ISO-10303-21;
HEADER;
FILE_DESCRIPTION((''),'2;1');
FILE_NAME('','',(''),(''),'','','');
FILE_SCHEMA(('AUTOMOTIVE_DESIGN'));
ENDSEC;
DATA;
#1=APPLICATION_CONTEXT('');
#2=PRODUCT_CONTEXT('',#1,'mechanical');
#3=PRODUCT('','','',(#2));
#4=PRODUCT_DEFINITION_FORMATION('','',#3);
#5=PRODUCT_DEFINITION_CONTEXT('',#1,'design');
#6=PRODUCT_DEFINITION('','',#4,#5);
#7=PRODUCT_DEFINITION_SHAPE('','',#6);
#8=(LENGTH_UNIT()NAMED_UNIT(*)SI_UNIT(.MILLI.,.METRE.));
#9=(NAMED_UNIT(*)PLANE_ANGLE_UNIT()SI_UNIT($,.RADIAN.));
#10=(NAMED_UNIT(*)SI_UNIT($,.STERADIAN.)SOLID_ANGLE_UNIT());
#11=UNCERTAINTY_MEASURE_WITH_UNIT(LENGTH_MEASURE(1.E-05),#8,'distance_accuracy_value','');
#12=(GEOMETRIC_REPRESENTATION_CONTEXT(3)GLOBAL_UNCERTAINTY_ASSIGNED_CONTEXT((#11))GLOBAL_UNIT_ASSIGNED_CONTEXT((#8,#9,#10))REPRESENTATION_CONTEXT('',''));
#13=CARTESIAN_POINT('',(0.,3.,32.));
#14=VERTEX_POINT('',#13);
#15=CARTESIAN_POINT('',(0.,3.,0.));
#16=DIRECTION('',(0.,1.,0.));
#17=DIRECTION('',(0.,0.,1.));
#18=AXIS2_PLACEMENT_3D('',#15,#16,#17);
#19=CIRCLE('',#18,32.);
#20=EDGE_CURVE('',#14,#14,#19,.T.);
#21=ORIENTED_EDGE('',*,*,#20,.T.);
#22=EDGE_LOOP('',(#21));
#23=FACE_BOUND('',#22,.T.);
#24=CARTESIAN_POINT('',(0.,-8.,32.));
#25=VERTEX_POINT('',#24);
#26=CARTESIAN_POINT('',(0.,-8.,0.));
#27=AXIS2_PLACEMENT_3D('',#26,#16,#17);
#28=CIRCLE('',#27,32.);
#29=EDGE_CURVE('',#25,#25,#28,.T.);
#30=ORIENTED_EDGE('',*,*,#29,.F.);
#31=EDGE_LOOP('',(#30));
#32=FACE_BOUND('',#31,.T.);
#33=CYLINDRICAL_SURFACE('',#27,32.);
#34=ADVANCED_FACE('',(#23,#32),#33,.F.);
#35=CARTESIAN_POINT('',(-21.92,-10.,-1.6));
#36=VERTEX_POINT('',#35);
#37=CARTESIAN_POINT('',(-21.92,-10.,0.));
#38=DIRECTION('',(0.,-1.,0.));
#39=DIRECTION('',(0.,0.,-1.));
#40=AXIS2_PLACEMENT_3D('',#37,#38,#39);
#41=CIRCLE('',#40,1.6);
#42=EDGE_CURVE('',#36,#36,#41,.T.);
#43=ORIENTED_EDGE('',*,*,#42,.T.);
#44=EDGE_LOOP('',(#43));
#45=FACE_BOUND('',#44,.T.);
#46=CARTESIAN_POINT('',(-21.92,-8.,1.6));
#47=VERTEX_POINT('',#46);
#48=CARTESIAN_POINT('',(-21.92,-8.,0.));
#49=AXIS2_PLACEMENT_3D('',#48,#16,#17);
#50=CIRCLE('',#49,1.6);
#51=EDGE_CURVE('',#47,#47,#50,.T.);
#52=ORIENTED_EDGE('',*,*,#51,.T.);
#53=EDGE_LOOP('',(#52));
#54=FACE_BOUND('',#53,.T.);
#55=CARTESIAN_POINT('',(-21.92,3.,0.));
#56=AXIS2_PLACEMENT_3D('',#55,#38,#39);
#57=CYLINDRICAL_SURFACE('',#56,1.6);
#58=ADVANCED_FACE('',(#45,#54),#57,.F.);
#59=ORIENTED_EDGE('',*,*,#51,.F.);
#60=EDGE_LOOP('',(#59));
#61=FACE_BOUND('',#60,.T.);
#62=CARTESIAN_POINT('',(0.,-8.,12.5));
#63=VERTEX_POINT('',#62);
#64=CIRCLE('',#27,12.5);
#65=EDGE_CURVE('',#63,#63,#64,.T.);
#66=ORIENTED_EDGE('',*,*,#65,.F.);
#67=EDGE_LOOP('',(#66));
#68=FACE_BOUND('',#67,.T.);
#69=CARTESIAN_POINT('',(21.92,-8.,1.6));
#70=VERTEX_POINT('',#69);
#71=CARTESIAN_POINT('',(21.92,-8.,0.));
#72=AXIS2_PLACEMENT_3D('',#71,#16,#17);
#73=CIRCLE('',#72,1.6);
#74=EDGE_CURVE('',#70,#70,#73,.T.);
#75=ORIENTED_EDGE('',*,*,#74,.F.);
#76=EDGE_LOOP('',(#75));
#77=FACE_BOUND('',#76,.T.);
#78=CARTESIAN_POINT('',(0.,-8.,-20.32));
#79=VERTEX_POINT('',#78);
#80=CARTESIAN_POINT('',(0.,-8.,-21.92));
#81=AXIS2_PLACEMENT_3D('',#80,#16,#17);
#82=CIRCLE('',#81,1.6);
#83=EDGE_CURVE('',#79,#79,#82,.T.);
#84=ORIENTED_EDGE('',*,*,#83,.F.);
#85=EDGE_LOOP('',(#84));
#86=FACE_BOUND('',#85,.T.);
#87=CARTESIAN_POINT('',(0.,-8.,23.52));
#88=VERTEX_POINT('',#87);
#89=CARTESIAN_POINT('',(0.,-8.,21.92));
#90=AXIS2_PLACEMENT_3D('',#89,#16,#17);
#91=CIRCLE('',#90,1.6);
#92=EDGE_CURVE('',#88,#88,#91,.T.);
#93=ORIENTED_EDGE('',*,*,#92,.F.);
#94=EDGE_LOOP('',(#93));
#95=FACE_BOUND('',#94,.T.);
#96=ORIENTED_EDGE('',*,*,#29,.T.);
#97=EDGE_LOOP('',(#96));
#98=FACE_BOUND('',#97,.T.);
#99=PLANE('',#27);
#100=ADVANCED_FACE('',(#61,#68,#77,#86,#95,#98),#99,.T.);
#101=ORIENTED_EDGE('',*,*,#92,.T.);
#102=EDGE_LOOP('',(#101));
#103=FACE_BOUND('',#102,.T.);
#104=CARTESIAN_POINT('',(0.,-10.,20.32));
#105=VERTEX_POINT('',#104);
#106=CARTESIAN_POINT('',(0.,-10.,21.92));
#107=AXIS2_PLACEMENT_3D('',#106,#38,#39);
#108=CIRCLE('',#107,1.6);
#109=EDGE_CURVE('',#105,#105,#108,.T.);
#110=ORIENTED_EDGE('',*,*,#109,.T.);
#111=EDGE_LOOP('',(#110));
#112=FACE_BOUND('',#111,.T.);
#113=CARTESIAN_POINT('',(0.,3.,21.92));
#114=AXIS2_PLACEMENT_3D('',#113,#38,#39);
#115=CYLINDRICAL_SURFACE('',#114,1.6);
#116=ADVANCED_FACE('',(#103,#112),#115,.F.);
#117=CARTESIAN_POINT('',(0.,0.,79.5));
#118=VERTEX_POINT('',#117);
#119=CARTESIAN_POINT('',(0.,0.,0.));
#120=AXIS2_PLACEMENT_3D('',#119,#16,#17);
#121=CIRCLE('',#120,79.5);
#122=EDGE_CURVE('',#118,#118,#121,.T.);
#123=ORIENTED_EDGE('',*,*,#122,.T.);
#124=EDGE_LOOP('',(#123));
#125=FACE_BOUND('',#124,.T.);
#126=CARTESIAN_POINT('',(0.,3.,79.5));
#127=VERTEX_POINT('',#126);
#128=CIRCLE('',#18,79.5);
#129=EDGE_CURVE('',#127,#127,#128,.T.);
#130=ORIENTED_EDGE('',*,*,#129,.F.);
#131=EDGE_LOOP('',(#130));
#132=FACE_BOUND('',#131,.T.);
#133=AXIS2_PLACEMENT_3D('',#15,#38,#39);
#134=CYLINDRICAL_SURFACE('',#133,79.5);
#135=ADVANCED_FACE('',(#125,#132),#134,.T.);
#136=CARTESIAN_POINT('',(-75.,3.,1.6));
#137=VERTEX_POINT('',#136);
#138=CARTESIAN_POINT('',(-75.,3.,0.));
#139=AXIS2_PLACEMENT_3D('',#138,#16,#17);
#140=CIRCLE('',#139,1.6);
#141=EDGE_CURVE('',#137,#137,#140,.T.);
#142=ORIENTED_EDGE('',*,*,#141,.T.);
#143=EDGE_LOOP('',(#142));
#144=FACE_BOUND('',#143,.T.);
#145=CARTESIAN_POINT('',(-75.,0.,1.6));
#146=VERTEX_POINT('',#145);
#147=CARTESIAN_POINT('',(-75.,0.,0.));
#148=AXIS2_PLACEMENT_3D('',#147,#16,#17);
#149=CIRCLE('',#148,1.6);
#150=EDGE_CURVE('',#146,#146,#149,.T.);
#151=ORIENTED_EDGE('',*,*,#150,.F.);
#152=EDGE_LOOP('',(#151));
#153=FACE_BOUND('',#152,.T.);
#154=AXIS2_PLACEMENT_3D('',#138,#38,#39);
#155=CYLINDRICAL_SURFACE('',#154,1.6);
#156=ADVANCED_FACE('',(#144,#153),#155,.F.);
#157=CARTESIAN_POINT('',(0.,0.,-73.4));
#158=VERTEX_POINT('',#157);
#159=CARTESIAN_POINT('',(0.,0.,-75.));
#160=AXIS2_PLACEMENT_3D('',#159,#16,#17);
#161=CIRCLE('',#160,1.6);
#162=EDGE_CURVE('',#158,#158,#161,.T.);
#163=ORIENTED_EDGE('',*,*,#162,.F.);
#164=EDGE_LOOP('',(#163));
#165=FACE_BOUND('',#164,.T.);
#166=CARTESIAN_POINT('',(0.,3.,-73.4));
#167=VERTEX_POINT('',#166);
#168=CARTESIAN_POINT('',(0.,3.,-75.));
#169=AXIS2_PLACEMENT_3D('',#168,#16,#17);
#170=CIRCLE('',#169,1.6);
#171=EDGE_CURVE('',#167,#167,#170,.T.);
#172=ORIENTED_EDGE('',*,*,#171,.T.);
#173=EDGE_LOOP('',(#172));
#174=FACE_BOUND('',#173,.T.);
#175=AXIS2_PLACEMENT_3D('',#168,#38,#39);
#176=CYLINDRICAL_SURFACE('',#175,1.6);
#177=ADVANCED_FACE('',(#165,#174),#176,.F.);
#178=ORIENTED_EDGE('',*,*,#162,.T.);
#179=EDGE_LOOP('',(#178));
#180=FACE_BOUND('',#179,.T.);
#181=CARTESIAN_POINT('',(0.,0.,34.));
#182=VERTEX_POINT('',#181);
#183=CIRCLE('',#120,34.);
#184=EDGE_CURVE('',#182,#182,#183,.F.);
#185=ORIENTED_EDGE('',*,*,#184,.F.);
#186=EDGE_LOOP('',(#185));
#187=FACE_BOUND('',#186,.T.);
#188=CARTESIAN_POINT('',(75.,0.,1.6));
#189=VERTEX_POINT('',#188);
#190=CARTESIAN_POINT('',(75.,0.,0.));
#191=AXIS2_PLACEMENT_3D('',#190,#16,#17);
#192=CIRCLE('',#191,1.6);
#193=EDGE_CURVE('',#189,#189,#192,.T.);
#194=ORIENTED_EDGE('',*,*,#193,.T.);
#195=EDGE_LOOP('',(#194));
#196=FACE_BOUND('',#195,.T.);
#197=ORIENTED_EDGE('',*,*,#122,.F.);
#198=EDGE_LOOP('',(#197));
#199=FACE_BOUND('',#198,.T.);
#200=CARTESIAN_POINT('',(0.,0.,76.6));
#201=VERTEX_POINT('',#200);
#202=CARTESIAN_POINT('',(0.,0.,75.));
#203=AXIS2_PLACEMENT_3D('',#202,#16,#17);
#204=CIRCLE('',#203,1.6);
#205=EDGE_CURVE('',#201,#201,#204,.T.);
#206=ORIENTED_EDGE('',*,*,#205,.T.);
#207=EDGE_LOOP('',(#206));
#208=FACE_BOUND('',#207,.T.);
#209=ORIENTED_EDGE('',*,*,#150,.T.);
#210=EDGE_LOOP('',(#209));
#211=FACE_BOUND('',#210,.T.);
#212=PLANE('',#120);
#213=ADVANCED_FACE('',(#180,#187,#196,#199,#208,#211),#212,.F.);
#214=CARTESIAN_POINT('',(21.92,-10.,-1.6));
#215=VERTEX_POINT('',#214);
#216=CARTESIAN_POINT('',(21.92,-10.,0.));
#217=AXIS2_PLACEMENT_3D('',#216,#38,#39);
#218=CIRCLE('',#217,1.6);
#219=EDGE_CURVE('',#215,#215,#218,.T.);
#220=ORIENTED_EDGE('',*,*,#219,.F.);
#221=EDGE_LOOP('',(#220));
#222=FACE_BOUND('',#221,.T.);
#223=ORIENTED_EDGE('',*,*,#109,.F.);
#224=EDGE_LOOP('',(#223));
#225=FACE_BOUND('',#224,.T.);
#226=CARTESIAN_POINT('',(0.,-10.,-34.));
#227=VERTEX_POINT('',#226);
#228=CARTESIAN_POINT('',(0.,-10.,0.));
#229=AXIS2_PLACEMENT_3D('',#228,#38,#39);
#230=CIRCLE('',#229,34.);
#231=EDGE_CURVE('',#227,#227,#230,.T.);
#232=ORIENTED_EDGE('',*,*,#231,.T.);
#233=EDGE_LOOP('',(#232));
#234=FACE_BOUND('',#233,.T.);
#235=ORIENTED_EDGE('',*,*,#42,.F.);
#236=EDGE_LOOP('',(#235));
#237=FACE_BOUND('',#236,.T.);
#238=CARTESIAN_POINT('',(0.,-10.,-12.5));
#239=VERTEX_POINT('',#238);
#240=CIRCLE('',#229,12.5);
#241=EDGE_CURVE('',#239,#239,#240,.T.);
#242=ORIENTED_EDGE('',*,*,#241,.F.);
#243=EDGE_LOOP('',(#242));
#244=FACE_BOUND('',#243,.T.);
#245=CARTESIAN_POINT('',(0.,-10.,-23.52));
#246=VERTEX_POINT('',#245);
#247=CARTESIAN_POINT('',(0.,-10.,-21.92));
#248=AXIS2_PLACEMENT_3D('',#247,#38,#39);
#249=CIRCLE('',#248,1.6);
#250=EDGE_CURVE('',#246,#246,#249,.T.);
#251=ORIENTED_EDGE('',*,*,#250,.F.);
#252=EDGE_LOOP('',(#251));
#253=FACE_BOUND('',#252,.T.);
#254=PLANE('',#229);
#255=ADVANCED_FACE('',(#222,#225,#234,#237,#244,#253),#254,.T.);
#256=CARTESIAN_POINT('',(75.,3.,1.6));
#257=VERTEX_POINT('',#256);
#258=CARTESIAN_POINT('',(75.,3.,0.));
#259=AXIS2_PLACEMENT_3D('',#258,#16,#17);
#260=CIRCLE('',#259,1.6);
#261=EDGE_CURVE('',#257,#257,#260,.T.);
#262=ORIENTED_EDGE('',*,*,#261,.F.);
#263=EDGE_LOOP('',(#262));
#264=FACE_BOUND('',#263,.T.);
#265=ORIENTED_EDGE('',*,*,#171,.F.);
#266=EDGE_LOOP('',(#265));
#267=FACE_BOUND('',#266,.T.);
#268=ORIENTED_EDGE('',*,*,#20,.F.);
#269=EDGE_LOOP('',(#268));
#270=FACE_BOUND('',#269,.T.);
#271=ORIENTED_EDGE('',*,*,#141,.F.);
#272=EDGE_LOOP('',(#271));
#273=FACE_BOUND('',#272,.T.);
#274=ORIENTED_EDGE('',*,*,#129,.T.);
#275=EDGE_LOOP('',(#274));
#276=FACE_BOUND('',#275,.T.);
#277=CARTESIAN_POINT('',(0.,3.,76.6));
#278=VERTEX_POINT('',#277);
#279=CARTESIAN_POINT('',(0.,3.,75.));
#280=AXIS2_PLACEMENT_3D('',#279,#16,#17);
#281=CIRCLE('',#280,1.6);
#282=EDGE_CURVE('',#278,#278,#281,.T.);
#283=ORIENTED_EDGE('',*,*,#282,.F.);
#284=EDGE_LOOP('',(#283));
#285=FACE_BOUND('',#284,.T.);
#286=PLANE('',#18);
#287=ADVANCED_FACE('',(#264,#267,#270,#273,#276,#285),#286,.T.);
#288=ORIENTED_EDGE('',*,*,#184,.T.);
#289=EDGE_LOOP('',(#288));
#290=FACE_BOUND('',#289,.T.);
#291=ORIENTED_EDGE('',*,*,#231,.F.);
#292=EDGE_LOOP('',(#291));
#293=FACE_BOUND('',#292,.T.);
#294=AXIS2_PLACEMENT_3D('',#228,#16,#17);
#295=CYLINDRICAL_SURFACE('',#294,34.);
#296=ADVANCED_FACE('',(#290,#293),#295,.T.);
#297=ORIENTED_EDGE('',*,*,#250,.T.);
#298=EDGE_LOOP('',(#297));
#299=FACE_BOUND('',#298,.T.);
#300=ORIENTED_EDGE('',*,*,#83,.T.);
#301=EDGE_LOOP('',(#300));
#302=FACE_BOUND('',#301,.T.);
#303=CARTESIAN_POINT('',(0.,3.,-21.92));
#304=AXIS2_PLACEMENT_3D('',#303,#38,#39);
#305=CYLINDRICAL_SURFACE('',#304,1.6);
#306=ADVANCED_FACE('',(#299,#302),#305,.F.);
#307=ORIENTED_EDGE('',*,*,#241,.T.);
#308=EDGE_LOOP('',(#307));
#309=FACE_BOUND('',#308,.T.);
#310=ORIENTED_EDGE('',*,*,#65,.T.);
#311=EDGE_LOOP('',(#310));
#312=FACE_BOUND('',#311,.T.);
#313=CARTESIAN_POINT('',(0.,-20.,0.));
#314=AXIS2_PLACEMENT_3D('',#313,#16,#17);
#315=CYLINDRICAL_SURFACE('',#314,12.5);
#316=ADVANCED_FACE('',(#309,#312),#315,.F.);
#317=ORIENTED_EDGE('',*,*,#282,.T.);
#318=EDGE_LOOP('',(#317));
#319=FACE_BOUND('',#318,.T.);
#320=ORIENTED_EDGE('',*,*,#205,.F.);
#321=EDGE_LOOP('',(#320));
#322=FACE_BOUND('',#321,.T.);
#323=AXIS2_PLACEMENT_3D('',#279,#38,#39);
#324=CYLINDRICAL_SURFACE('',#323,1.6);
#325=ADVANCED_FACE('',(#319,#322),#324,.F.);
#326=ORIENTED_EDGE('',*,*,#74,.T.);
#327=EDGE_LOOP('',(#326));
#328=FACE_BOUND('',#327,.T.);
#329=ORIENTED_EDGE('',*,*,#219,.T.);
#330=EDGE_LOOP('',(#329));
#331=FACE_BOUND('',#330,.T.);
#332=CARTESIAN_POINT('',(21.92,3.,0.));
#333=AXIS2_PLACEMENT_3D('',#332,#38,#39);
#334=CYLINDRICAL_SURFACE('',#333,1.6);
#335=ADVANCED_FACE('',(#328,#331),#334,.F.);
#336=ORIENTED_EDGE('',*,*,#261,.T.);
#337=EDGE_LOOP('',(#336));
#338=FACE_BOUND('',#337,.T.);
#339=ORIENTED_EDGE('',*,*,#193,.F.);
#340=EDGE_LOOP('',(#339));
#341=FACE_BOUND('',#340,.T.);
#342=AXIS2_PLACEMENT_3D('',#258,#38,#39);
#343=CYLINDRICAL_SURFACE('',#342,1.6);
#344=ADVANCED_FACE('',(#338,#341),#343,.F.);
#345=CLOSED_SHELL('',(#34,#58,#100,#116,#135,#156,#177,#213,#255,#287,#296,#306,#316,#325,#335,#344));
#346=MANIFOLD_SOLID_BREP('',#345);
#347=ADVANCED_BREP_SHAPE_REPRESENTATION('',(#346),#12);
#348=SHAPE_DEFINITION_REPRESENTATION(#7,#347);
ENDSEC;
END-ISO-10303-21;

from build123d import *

# Parameters (mm, degrees)
SKETCH_1_R          = 79.5
SKETCH_1_R_2        = 1.6
EXTRUDE_1_DEPTH     = 3
SKETCH_5_R          = 34
EXTRUDE_2_DEPTH     = 10
CUT_EXTRUDE_START   = -22
SKETCH_7_R          = 1.6
CUT_EXTRUDE_1_DEPTH = 22
SKETCH_8_R          = 32
CUT_EXTRUDE_2_DEPTH = 11
SKETCH_10_R         = 12.5
CUT_EXTRUDE_3_DEPTH = 12


with BuildPart() as part:
    # 草图1 → 凸台-拉伸1 (new body)
    with BuildSketch(Plane(origin=(0, 0, 0), x_dir=(1, 0, 0), z_dir=(0, 1, 0))):
        with Locations(Location((0, 0, 0), (0, 0, 270))):
            Circle(SKETCH_1_R)
        with Locations(Location((0, 75, 0), (0, 0, 270))):
            Circle(SKETCH_1_R_2, mode=Mode.SUBTRACT)
        with Locations(Location((75, 0, 0), (0, 0, 270))):
            Circle(SKETCH_1_R_2, mode=Mode.SUBTRACT)
        with Locations(Location((0, -75, 0), (0, 0, 270))):
            Circle(SKETCH_1_R_2, mode=Mode.SUBTRACT)
        with Locations(Location((-75, 0, 0), (0, 0, 270))):
            Circle(SKETCH_1_R_2, mode=Mode.SUBTRACT)
        with Locations(Location((0, 21.92, 0), (0, 0, 270))):
            Circle(SKETCH_1_R_2, mode=Mode.SUBTRACT)
        with Locations(Location((21.92, 0, 0), (0, 0, 270))):
            Circle(SKETCH_1_R_2, mode=Mode.SUBTRACT)
        with Locations(Location((0, -21.92, 0), (0, 0, 270))):
            Circle(SKETCH_1_R_2, mode=Mode.SUBTRACT)
        with Locations(Location((-21.92, 0, 0), (0, 0, 270))):
            Circle(SKETCH_1_R_2, mode=Mode.SUBTRACT)
    extrude(amount=EXTRUDE_1_DEPTH)

    # 草图5 → 凸台-拉伸2 (add)
    with BuildSketch(Plane.XZ):
        with Locations(Location((0, 0, 0), (0, 0, 90))):
            Circle(SKETCH_5_R)
    extrude(amount=EXTRUDE_2_DEPTH)

    # 草图7 → 切除-拉伸1 (cut)
    with BuildSketch(Plane(origin=(0, 3, 0), x_dir=(1, 0, 0), z_dir=(0, 1, 0)).offset(CUT_EXTRUDE_START)):
        with Locations(Location((0, 21.92, 0), (0, 0, 90))):
            Circle(SKETCH_7_R)
        with Locations(Location((21.92, 0, 0), (0, 0, 90))):
            Circle(SKETCH_7_R)
        with Locations(Location((0, -21.92, 0), (0, 0, 90))):
            Circle(SKETCH_7_R)
        with Locations(Location((-21.92, 0, 0), (0, 0, 90))):
            Circle(SKETCH_7_R)
    extrude(amount=CUT_EXTRUDE_1_DEPTH, mode=Mode.SUBTRACT)

    # 草图8 → 切除-拉伸2 (cut)
    with BuildSketch(Plane(origin=(0, 3, 0), x_dir=(1, 0, 0), z_dir=(0, 1, 0))):
        with Locations(Location((0, 0, 0), (0, 0, 270))):
            Circle(SKETCH_8_R)
    extrude(amount=-CUT_EXTRUDE_2_DEPTH, mode=Mode.SUBTRACT)

    # 草图10 → 切除-拉伸3 (cut)
    with BuildSketch(Plane(origin=(0, -8, 0), x_dir=(1, 0, 0), z_dir=(0, 1, 0))):
        with Locations(Location((0, 0, 0), (0, 0, 270))):
            Circle(SKETCH_10_R)
    extrude(amount=-CUT_EXTRUDE_3_DEPTH, mode=Mode.SUBTRACT)


solid = part.part
